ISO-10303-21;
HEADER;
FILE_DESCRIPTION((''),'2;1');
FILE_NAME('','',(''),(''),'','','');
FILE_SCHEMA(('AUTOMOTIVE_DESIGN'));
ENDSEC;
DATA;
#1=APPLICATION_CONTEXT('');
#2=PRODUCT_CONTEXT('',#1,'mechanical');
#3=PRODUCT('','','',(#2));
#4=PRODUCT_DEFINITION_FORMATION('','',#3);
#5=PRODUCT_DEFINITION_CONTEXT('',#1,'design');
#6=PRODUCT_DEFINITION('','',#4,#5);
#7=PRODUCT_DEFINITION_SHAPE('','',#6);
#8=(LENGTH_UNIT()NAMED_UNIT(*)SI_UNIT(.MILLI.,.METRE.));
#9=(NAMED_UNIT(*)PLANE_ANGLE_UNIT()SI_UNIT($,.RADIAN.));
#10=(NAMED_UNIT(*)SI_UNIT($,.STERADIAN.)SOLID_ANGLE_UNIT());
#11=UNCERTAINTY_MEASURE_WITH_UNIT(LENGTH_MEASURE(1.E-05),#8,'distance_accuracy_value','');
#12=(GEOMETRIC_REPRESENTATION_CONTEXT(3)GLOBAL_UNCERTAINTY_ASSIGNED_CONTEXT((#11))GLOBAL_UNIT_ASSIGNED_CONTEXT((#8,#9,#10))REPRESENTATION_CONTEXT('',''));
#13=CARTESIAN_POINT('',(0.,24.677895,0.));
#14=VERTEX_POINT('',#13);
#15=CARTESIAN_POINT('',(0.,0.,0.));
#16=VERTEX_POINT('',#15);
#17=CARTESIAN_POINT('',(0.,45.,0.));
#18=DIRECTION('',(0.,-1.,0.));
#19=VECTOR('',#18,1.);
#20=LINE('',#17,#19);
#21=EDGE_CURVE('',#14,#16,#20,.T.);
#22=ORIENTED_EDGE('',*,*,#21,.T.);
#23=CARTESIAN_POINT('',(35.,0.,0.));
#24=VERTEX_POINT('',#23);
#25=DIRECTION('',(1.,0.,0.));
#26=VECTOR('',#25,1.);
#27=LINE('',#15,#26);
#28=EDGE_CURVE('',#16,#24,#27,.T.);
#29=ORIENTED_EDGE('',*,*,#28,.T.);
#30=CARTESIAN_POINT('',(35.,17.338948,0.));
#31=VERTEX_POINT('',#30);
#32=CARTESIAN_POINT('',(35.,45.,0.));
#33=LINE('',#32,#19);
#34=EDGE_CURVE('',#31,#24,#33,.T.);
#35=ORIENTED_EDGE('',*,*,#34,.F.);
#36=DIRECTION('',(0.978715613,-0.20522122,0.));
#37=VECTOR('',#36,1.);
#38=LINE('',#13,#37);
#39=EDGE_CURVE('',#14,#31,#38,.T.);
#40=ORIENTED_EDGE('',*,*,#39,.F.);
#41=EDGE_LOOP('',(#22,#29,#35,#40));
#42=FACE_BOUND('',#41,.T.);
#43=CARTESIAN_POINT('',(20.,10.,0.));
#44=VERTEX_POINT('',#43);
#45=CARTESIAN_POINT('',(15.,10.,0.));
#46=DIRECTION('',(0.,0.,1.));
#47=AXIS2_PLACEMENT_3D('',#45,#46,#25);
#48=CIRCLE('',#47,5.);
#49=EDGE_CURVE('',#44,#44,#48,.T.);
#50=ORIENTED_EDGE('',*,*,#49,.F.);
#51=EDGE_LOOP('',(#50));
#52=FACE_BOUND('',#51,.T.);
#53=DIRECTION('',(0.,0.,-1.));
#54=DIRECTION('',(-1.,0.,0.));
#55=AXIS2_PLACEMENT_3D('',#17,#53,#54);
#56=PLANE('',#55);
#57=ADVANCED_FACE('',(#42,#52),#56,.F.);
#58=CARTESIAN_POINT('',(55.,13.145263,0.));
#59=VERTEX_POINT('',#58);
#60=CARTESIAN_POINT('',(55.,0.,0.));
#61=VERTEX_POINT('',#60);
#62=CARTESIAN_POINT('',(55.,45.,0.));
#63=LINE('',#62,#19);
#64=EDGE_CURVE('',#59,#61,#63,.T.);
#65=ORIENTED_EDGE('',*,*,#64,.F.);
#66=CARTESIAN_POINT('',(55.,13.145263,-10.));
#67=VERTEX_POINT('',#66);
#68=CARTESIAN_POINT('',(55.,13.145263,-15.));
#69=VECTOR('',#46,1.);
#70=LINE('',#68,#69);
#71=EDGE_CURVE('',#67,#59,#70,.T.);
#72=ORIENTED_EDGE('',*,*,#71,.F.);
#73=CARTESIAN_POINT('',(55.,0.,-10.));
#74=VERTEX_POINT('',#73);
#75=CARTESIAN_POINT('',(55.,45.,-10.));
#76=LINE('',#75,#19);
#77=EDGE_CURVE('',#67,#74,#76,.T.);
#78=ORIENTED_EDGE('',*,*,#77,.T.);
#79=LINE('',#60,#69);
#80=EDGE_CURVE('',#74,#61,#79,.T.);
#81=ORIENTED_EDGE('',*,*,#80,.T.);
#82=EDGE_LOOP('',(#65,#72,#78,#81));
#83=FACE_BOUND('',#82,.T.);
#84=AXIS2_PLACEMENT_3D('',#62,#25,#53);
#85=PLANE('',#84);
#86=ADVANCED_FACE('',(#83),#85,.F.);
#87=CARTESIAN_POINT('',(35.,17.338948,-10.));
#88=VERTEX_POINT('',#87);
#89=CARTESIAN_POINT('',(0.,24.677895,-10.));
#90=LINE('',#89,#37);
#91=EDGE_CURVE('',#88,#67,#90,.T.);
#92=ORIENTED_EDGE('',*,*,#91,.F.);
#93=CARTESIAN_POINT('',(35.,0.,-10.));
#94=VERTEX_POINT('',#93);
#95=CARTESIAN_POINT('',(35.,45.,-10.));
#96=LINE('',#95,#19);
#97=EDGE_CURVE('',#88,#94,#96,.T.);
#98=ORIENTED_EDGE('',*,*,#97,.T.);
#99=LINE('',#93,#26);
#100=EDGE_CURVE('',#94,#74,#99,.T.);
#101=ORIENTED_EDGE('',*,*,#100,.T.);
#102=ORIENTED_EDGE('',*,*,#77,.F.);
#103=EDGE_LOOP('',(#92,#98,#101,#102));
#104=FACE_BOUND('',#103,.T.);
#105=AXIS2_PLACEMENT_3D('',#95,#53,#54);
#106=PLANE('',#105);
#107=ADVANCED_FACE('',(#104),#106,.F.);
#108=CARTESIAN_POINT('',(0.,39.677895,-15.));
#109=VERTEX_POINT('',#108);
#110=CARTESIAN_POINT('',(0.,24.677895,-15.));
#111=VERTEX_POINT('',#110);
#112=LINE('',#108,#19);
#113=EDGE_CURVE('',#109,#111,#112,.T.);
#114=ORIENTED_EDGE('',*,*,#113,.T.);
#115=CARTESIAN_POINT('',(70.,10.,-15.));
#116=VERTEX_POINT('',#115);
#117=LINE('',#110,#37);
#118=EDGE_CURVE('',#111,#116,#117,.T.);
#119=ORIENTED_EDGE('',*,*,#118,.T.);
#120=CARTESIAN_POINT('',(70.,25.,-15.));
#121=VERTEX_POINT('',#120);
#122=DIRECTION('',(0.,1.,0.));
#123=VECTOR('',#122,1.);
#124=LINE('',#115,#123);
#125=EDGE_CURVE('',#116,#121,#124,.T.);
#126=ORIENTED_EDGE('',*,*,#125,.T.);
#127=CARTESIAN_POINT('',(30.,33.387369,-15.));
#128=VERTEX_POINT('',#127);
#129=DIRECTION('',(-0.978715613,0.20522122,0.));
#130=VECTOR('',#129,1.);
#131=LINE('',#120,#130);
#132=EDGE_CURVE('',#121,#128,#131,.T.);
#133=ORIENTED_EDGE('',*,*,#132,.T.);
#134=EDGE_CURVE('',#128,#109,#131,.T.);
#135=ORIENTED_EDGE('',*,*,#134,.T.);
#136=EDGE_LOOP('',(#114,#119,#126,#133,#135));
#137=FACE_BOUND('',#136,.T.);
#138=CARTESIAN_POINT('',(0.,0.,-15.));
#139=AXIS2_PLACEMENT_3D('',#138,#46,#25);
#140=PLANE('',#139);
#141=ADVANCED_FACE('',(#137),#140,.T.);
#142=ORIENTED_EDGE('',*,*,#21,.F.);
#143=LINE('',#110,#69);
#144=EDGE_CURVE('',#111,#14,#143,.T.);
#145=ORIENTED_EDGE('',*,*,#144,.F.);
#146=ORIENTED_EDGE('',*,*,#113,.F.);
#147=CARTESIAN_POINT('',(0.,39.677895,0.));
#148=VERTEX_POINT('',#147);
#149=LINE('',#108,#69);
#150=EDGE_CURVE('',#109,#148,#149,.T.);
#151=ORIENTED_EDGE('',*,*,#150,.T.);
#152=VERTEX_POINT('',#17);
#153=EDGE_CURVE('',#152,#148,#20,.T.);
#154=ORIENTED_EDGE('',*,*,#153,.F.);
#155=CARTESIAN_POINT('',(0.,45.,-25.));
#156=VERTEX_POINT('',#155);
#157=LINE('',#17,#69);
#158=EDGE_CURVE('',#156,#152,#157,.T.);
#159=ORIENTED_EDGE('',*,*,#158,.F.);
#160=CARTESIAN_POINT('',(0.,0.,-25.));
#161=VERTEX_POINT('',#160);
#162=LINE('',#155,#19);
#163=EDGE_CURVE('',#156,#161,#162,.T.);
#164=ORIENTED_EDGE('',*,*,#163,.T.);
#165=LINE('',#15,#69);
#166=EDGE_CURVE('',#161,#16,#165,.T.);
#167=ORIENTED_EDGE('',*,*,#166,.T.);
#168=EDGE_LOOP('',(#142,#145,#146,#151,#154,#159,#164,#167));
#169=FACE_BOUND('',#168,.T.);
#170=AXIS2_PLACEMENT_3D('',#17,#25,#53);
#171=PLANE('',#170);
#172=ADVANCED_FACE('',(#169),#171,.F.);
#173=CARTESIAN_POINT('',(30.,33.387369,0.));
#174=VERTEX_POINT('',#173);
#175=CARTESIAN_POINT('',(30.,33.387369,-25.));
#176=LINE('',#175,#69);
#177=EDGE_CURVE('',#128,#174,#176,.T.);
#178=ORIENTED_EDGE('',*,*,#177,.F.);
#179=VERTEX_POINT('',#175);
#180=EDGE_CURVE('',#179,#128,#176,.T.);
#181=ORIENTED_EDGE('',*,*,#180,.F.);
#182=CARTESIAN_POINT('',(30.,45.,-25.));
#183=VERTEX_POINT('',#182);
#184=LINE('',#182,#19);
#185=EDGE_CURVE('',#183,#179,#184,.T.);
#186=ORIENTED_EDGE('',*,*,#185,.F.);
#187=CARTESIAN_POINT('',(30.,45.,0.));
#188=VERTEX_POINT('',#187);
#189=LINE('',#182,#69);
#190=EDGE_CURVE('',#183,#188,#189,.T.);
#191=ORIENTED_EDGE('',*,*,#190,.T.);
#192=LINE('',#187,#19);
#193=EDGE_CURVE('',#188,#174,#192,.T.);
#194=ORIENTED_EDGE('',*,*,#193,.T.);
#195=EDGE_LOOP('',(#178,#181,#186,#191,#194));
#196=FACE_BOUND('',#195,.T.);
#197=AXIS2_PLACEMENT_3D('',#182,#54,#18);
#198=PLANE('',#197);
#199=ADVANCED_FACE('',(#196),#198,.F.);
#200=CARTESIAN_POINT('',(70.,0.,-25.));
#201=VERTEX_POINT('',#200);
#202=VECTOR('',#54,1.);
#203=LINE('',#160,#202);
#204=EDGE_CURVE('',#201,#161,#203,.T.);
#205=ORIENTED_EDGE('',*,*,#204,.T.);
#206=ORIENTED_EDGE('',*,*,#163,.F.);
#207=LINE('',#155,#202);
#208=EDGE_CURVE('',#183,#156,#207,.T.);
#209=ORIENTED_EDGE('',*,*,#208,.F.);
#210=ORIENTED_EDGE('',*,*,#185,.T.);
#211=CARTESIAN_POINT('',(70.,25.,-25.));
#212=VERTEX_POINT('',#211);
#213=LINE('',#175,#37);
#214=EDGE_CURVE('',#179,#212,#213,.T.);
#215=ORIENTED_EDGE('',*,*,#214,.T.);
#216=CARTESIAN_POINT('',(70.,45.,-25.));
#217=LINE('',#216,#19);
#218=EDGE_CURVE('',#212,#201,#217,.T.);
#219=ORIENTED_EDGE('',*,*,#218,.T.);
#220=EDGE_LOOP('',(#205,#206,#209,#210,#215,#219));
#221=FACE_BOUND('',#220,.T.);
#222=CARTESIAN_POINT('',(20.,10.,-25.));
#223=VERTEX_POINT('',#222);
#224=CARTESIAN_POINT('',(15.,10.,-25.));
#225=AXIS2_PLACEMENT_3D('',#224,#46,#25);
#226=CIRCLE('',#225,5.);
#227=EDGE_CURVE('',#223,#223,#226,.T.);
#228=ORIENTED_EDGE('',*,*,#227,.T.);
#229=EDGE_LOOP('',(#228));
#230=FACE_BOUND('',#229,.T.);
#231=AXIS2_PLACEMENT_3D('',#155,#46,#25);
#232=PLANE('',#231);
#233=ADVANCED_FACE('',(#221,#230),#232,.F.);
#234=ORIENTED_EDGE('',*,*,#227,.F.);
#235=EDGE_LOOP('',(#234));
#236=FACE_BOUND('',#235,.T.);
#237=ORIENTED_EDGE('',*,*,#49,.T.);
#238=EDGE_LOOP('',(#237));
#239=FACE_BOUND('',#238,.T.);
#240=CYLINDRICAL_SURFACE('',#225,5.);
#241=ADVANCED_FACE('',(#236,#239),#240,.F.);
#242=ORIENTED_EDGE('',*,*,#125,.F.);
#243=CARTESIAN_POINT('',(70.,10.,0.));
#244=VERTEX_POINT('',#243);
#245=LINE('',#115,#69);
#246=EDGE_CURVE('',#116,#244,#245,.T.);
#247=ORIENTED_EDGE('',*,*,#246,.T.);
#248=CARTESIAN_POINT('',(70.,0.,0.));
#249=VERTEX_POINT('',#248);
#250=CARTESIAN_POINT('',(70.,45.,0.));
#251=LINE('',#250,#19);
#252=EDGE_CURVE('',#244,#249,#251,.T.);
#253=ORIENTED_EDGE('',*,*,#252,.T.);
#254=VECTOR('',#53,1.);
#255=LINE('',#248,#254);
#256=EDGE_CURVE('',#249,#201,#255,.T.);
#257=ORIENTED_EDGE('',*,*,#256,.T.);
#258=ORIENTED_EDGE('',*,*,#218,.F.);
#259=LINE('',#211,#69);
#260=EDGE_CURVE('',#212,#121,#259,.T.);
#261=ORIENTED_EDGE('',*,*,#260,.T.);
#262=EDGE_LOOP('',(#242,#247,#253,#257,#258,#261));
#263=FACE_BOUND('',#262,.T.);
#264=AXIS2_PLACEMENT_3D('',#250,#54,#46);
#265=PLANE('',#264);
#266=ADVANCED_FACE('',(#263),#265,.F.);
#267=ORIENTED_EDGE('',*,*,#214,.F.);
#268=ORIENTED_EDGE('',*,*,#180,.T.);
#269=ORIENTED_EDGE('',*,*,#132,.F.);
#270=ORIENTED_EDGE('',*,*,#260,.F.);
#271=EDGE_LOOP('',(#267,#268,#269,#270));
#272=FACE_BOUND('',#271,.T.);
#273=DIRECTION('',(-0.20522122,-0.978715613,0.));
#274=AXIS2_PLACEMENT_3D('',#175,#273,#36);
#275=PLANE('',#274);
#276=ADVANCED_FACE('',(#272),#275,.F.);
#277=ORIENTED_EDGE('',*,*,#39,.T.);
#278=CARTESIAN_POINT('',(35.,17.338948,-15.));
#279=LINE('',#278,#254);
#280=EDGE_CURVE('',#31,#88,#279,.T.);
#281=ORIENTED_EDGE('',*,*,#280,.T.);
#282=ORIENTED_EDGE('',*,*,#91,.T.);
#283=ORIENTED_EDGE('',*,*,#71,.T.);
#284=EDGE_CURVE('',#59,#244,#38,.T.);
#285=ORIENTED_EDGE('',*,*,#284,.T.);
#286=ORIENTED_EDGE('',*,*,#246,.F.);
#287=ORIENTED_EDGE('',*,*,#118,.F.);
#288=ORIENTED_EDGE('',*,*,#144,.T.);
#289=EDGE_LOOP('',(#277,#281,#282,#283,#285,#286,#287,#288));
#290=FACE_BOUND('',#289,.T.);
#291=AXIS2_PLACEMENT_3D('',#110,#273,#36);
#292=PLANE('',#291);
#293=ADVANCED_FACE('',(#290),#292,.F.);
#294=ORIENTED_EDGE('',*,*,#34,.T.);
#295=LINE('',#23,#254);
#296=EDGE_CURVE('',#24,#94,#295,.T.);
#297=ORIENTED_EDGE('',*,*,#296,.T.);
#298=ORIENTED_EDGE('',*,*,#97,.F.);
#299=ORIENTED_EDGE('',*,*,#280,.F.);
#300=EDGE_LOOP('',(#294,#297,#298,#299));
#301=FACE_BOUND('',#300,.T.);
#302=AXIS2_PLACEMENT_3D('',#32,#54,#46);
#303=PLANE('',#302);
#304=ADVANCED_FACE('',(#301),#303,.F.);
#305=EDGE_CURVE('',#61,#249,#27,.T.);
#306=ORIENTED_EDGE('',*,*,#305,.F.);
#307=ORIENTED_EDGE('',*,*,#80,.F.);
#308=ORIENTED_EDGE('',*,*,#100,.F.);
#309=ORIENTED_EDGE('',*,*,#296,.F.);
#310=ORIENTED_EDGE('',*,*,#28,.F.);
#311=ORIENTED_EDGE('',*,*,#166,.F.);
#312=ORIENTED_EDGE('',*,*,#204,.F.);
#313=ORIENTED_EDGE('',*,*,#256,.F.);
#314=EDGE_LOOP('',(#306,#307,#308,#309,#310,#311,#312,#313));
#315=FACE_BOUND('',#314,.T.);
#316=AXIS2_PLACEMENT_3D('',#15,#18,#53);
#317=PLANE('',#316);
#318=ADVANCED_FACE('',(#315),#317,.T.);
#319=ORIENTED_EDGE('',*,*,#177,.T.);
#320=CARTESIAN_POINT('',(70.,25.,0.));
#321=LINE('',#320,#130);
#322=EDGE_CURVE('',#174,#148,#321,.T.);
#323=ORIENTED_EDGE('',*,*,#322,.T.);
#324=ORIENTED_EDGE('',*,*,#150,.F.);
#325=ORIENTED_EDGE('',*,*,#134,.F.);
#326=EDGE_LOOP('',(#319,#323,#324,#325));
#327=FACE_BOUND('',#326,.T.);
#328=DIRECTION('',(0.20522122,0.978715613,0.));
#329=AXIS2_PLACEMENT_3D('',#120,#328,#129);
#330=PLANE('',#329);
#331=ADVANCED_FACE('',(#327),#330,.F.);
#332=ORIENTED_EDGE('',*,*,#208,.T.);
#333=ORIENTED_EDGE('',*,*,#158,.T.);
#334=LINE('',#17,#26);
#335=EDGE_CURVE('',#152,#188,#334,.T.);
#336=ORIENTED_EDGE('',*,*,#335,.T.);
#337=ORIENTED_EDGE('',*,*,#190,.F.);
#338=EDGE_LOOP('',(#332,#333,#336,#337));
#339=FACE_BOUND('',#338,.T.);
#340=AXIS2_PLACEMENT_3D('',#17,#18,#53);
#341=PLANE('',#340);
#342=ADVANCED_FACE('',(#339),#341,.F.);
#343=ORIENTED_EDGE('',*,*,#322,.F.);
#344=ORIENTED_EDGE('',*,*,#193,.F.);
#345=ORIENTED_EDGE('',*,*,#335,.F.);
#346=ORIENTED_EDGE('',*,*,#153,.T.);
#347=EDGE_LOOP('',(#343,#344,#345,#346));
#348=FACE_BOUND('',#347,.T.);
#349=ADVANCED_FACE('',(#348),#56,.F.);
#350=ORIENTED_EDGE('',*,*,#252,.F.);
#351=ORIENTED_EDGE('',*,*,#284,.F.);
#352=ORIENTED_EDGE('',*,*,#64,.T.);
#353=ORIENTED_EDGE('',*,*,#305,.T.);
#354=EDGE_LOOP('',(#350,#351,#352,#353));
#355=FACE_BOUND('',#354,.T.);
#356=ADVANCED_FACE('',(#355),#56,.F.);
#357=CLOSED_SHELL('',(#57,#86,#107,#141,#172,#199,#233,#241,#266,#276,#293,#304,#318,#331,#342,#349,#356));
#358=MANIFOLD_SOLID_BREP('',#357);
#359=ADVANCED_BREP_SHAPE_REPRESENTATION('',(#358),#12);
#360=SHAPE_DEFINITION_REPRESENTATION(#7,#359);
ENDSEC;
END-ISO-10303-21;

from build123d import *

# Parameters (mm, degrees)
SKETCH1_W           = 70
SKETCH1_H           = 25
BOSS_EXTRUDE1_DEPTH = 45
CUT_EXTRUDE1_DEPTH  = 15
CUT_EXTRUDE2_DEPTH  = 26
SKETCH4_W           = 20
SKETCH4_H           = 10
CUT_EXTRUDE3_DEPTH  = 46
SKETCH5_R           = 5
CUT_EXTRUDE4_DEPTH  = 26


with BuildPart() as part:
    # Sketch1 → Boss-Extrude1 (new body)
    with BuildSketch(Plane(origin=(0, 0, 0), x_dir=(1, 0, 0), z_dir=(0, 1, 0))):
        with Locations((35, 12.5)):
            Rectangle(SKETCH1_W, SKETCH1_H)
    extrude(amount=BOSS_EXTRUDE1_DEPTH)

    # Sketch2 → Cut-Extrude1 (cut)
    with BuildSketch(Plane.XY):
        Polygon((0, 39.67789539), (0, 24.67789539), (70, 10), (70, 25), align=None)
    extrude(amount=-CUT_EXTRUDE1_DEPTH, mode=Mode.SUBTRACT)

    # Sketch3 → Cut-Extrude2 (cut, through all)
    with BuildSketch(Plane.XY):
        Polygon((30, 45), (30, 33.387368794), (70, 25), (70, 45), align=None)
    extrude(amount=-CUT_EXTRUDE2_DEPTH, mode=Mode.SUBTRACT)

    # Sketch4 → Cut-Extrude3 (cut, through all)
    with BuildSketch(Plane(origin=(0, 0, 0), x_dir=(-1, 0, 0), z_dir=(0, -1, 0))):
        with Locations((-45, 5)):
            Rectangle(SKETCH4_W, SKETCH4_H)
    extrude(amount=-CUT_EXTRUDE3_DEPTH, mode=Mode.SUBTRACT)

    # Sketch5 → Cut-Extrude4 (cut, through all)
    with BuildSketch(Plane.XY):
        with Locations((15, 10)):
            Circle(SKETCH5_R)
    extrude(amount=-CUT_EXTRUDE4_DEPTH, mode=Mode.SUBTRACT)


solid = part.part
